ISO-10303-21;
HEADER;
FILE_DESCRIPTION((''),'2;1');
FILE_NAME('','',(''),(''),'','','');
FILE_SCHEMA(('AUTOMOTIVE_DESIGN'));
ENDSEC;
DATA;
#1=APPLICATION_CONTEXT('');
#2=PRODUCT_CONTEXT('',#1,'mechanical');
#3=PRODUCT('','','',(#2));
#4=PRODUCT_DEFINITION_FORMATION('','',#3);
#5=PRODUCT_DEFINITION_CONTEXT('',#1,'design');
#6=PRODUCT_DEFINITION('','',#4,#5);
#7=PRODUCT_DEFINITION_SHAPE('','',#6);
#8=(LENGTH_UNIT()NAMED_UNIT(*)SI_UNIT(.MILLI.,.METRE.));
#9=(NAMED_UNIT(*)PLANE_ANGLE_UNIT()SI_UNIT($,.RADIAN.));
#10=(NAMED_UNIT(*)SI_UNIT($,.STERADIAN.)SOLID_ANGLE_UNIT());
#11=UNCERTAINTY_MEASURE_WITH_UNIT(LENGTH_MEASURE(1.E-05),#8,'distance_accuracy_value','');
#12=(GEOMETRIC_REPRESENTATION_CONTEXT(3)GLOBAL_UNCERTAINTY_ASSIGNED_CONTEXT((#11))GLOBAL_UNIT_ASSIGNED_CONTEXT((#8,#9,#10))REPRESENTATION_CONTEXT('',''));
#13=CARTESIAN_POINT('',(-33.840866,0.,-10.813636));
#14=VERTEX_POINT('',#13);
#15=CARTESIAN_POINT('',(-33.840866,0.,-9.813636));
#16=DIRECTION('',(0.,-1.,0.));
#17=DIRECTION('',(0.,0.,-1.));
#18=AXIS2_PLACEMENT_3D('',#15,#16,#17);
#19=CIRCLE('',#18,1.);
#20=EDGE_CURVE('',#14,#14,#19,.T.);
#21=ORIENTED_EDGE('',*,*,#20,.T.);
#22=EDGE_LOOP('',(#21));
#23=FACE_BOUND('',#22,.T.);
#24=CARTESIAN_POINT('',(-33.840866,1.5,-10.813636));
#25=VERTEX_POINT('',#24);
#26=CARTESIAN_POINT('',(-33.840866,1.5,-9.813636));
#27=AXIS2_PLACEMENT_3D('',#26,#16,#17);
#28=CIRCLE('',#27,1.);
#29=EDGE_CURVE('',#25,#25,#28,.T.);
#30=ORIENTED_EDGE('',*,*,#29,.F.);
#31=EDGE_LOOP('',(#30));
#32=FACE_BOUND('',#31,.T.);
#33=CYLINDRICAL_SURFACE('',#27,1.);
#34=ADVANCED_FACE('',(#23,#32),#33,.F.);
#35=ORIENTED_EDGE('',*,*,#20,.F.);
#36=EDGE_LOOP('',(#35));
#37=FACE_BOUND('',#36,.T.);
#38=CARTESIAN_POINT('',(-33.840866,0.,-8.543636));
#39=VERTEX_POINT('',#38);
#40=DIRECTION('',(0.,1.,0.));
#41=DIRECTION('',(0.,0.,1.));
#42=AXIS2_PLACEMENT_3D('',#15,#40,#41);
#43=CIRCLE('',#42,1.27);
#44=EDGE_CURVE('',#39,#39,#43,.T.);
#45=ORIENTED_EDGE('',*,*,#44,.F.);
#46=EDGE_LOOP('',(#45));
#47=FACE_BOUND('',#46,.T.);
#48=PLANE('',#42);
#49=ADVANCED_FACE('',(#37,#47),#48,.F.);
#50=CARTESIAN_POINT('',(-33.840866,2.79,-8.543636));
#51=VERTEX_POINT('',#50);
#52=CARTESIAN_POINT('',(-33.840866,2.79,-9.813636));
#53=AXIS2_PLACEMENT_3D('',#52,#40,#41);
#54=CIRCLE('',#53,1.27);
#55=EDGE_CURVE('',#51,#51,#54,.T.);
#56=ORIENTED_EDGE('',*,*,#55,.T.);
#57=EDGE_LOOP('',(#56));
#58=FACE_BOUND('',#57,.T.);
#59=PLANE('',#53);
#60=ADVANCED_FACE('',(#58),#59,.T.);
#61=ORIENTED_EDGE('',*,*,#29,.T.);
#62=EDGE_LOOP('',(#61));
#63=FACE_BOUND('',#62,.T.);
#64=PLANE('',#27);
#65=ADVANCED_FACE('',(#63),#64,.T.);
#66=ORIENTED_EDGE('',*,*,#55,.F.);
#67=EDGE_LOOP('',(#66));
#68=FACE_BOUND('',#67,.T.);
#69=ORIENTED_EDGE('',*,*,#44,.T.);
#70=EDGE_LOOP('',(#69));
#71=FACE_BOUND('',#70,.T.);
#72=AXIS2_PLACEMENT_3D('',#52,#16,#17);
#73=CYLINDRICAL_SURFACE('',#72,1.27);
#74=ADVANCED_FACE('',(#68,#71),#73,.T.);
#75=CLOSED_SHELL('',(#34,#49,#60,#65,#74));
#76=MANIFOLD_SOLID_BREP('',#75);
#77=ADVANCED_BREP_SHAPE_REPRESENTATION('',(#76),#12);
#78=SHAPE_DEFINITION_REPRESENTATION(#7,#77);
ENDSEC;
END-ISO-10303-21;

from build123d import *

# Parameters (mm, degrees)
SKETCH2_R           = 1.27
BOSS_EXTRUDE1_DEPTH = 2.79
SKETCH3_R           = 1
CUT_EXTRUDE1_DEPTH  = 1.5


with BuildPart() as part:
    # Sketch2 → Boss-Extrude1 (new body)
    with BuildSketch(Plane(origin=(0, 0, 0), x_dir=(1, 0, 0), z_dir=(0, 1, 0))):
        with Locations(Location((-33.84086576, 9.813636364, 0), (0, 0, 270))):
            Circle(SKETCH2_R)
    extrude(amount=BOSS_EXTRUDE1_DEPTH)

    # Sketch3 → Cut-Extrude1 (cut)
    with BuildSketch(Plane.XZ):
        with Locations(Location((-33.84086576, -9.813636364, 0), (0, 0, 270))):
            Circle(SKETCH3_R)
    extrude(amount=-CUT_EXTRUDE1_DEPTH, mode=Mode.SUBTRACT)


solid = part.part
